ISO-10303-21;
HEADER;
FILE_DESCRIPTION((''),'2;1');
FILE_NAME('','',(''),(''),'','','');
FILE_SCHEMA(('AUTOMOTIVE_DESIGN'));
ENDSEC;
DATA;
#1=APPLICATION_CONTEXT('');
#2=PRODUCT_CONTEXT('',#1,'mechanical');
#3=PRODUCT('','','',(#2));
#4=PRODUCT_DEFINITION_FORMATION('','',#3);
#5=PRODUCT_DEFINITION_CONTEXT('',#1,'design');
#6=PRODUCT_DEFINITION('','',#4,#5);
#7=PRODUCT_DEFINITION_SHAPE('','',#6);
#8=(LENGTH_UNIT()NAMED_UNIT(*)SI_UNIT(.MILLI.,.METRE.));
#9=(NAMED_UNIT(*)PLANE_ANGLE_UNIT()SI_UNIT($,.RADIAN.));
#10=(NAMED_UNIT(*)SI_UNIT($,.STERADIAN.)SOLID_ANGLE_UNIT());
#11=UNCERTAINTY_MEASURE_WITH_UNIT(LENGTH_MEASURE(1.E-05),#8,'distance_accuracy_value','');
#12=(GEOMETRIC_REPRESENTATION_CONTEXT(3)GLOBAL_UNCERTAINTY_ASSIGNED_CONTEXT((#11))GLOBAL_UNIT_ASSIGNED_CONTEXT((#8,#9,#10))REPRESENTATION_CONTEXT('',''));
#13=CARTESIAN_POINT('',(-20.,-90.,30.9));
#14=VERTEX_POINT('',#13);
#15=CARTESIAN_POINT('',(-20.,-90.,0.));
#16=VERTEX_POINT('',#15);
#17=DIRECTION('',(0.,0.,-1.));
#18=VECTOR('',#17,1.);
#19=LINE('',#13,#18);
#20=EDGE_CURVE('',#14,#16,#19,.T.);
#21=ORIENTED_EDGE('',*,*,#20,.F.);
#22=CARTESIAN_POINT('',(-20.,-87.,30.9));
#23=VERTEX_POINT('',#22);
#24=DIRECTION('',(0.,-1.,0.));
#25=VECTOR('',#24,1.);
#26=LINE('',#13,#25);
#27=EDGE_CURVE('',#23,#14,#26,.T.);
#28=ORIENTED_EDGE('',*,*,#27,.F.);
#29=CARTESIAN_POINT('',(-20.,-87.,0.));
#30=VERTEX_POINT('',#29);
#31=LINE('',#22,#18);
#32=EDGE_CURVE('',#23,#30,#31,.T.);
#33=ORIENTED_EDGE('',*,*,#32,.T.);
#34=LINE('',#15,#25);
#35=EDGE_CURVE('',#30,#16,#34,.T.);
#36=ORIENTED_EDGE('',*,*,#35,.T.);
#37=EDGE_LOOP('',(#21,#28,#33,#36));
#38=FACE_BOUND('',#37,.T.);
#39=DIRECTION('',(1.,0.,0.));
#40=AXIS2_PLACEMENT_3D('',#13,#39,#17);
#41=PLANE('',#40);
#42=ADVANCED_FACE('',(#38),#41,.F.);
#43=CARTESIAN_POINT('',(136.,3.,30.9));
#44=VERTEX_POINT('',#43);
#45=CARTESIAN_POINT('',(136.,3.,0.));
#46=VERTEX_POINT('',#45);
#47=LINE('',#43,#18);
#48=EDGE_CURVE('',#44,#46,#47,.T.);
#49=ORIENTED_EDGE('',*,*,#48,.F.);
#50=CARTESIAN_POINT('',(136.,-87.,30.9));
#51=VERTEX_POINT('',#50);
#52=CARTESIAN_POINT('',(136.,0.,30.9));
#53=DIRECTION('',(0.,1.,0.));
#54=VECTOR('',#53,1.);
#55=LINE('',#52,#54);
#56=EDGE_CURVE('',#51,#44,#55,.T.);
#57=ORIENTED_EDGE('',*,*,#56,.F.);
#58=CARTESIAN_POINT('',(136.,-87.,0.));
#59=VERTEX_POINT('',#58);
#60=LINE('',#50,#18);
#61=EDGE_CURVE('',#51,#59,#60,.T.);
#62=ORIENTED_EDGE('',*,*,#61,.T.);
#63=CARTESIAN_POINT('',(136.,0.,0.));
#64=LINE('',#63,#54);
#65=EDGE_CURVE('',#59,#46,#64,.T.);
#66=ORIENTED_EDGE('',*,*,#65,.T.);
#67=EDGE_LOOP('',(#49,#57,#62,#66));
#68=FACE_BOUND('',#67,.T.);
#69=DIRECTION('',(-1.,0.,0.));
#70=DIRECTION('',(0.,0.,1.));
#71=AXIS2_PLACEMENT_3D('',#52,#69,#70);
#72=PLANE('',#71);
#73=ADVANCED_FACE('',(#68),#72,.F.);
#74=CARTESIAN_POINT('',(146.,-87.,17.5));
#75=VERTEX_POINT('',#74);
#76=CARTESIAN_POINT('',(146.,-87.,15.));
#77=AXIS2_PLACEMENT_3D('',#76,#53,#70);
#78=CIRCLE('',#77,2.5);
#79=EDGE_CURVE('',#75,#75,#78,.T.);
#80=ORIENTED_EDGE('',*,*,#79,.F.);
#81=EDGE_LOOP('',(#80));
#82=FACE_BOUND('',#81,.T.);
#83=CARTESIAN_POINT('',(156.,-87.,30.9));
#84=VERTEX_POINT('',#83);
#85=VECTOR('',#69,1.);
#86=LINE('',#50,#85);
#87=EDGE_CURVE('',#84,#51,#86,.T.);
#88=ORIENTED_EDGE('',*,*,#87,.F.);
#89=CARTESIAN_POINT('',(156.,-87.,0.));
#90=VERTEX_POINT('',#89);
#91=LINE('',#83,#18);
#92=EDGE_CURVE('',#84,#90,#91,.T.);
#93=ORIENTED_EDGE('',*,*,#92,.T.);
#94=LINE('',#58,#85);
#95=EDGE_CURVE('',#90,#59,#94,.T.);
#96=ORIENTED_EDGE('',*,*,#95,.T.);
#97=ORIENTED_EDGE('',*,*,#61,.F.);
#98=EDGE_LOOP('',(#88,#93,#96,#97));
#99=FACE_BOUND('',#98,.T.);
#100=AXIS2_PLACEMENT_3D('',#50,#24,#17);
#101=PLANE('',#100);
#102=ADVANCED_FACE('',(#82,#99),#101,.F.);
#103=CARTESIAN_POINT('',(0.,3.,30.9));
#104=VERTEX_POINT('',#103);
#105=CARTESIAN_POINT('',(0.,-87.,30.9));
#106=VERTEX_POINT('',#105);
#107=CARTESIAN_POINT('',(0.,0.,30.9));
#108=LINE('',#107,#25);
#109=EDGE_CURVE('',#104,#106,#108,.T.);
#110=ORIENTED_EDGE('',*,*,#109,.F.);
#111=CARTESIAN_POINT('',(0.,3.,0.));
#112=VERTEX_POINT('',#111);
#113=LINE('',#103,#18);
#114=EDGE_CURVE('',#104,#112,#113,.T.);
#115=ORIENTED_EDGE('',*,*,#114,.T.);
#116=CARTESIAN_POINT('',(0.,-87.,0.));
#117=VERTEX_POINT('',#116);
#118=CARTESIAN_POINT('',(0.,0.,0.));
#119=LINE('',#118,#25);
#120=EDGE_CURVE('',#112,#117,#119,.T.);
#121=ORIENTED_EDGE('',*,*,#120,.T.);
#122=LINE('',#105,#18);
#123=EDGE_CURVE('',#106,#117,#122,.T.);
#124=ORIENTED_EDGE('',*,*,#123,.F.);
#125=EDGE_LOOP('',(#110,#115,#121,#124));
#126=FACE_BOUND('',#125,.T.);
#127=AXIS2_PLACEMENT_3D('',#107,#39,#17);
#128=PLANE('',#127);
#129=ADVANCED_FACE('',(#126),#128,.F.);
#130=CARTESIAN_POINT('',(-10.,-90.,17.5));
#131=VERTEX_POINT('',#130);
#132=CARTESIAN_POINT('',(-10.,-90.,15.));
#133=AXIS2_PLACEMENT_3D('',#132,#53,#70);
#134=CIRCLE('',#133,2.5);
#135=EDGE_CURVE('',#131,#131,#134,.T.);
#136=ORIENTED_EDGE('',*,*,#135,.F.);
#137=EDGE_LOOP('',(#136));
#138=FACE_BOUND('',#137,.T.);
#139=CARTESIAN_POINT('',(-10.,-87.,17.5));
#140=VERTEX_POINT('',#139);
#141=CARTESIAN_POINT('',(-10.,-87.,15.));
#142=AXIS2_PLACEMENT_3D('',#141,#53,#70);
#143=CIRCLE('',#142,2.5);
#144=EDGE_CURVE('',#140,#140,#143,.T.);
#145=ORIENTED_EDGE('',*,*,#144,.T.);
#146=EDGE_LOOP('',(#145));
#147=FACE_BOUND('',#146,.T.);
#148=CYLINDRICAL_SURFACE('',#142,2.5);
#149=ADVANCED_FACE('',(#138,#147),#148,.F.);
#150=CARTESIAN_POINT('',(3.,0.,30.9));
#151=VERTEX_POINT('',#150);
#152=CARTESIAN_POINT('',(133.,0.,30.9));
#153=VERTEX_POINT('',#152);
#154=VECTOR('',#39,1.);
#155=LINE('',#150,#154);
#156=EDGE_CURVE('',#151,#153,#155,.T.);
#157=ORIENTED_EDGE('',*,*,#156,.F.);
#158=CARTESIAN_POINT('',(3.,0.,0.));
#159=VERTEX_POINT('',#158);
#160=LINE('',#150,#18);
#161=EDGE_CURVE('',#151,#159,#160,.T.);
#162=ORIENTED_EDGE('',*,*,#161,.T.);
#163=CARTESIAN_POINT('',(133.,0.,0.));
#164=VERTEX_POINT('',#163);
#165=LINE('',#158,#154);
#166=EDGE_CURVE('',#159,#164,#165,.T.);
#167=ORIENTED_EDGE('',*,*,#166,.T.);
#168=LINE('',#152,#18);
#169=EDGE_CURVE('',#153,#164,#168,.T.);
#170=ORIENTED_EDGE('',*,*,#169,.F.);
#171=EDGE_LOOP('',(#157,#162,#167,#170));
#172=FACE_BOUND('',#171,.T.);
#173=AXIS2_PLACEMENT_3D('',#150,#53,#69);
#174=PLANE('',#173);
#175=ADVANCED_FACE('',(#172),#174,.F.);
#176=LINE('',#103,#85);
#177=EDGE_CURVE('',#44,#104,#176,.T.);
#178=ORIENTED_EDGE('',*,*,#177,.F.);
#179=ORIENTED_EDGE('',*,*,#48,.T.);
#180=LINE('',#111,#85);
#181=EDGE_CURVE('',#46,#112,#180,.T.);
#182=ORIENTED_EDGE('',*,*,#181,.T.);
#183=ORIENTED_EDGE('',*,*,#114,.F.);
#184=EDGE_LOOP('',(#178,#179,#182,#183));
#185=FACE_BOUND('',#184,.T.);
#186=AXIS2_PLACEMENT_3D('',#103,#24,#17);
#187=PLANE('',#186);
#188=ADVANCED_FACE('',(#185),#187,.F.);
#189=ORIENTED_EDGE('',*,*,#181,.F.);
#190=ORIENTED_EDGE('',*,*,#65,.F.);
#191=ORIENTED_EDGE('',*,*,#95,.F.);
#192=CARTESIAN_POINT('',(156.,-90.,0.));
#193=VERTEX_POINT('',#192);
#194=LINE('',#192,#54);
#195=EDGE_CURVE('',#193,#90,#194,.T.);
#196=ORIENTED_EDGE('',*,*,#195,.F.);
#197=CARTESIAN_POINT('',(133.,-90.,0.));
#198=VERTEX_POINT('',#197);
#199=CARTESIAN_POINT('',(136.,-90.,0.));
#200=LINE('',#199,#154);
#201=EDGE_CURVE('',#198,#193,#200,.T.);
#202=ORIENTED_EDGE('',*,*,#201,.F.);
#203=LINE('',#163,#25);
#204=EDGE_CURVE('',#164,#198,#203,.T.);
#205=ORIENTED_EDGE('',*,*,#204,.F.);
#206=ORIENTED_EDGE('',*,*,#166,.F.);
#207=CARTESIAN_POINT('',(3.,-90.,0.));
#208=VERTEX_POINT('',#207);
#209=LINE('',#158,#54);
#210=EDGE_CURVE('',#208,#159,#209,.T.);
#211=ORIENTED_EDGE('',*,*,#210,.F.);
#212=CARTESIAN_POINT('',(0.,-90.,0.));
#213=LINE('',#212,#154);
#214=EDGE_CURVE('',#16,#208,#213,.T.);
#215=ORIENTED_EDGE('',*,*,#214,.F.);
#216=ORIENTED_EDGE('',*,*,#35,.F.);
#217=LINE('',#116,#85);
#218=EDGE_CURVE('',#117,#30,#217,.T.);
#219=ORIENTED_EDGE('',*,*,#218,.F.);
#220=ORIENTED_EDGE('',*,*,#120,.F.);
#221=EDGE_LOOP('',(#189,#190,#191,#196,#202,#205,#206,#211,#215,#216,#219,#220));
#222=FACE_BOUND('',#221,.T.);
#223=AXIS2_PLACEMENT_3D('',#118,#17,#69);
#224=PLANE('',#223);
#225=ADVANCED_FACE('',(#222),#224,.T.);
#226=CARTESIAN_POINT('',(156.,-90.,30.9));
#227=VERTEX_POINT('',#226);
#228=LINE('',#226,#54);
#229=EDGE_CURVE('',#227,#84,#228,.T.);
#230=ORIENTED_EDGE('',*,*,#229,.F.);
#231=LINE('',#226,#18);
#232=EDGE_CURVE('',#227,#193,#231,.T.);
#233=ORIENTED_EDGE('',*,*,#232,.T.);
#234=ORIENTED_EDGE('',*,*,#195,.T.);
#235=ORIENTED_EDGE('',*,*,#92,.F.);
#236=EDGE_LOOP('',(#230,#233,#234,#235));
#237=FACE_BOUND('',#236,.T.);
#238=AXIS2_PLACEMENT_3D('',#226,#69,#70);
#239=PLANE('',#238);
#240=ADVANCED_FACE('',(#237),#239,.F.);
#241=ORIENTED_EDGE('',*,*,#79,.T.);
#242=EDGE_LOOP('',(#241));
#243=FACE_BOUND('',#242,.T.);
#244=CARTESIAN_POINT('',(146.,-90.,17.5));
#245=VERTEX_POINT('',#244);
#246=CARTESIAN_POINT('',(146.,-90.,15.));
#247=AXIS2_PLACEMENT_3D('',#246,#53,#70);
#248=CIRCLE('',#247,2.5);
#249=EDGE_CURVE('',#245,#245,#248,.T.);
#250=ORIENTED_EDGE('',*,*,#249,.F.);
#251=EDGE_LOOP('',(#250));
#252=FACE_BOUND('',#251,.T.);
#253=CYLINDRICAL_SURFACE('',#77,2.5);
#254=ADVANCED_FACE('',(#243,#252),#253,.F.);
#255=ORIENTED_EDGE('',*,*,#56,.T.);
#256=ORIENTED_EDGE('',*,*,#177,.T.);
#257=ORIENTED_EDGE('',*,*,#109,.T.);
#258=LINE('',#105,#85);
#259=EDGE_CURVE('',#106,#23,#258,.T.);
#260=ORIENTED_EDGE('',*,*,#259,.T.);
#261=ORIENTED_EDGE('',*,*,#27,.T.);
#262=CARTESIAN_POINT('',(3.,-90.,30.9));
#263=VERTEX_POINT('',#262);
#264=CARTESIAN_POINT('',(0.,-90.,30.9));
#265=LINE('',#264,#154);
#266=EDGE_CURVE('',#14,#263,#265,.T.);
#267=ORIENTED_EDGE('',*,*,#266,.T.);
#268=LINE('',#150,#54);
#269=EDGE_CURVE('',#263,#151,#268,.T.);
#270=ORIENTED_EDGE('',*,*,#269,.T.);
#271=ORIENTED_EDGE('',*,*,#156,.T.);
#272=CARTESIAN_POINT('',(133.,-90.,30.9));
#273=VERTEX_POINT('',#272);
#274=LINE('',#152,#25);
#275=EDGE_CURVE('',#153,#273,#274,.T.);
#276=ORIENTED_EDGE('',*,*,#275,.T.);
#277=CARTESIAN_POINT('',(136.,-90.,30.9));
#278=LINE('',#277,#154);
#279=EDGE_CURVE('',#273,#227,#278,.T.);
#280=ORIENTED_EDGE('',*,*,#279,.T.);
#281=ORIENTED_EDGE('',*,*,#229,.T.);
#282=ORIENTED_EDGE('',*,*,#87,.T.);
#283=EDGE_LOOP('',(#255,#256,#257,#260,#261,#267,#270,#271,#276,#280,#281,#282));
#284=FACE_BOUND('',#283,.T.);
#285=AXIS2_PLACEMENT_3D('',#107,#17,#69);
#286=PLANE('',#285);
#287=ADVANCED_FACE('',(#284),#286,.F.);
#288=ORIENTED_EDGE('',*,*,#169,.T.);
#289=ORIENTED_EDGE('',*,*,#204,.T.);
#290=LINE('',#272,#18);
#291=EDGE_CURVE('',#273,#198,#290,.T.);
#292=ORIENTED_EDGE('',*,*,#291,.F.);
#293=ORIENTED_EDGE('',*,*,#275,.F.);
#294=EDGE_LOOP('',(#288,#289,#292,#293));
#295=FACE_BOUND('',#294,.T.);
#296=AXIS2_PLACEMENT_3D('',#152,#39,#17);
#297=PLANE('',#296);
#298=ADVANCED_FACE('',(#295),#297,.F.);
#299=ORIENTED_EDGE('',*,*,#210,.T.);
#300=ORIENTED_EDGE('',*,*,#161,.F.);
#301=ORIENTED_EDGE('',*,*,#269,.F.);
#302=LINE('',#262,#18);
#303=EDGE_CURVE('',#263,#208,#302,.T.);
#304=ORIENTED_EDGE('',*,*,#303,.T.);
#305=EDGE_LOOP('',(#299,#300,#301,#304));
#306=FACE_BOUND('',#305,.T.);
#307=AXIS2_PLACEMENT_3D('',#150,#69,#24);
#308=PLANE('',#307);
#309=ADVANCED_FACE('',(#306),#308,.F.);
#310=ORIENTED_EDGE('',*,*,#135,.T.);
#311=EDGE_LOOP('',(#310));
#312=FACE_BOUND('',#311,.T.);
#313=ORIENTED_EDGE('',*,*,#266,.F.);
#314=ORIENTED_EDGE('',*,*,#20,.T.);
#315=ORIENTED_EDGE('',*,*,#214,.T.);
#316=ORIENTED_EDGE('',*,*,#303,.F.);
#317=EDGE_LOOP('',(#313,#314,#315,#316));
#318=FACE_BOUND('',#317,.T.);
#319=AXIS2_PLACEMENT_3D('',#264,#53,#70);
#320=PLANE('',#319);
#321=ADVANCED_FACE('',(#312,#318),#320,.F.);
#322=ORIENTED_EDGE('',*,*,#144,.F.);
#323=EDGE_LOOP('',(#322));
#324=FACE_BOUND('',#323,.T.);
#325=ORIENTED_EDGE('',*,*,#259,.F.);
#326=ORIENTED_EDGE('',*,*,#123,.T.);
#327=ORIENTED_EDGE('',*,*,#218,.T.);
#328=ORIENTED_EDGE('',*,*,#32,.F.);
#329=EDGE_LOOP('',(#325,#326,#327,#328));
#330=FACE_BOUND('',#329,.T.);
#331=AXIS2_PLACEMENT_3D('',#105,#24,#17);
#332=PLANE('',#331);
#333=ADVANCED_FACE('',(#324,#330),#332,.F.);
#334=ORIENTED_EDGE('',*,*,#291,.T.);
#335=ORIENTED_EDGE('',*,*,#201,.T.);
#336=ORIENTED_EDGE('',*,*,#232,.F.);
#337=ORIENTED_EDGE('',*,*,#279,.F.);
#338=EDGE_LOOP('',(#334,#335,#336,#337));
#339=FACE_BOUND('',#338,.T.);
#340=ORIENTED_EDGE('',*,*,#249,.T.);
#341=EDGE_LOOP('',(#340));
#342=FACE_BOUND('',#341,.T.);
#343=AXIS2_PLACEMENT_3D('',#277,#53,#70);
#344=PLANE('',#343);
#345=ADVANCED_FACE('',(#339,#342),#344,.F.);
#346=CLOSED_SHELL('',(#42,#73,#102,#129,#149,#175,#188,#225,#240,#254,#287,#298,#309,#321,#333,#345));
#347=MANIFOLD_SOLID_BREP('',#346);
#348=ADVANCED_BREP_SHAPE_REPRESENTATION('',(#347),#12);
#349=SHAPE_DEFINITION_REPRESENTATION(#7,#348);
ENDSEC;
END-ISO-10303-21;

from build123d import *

# Parameters (mm, degrees)
BOSS_EXTRUDE1_DEPTH   = 30.9
F_5_0MM_DOWEL_HOLE1_D = 5


with BuildPart() as part:
    # Sketch1 → Boss-Extrude1 (new body)
    with BuildSketch(Plane.XY):
        Polygon((3, 0), (133, 0), (133, -90), (136, -90), (156, -90), (156, -87), (136, -87), (136, 0), (136, 3), (0, 3), (0, 0), (0, -87), (-20, -87), (-20, -90), (0, -90), (3, -90), align=None)
    extrude(amount=BOSS_EXTRUDE1_DEPTH)

    # Ø5.0mm Dowel Hole1 (through all)
    with Locations(Plane(origin=(0, -87, 0), x_dir=(1, 0, 0), z_dir=(0, 1, 0))):
        with Locations((-10, -15), (146, -15)):
            Hole(F_5_0MM_DOWEL_HOLE1_D / 2)


solid = part.part
